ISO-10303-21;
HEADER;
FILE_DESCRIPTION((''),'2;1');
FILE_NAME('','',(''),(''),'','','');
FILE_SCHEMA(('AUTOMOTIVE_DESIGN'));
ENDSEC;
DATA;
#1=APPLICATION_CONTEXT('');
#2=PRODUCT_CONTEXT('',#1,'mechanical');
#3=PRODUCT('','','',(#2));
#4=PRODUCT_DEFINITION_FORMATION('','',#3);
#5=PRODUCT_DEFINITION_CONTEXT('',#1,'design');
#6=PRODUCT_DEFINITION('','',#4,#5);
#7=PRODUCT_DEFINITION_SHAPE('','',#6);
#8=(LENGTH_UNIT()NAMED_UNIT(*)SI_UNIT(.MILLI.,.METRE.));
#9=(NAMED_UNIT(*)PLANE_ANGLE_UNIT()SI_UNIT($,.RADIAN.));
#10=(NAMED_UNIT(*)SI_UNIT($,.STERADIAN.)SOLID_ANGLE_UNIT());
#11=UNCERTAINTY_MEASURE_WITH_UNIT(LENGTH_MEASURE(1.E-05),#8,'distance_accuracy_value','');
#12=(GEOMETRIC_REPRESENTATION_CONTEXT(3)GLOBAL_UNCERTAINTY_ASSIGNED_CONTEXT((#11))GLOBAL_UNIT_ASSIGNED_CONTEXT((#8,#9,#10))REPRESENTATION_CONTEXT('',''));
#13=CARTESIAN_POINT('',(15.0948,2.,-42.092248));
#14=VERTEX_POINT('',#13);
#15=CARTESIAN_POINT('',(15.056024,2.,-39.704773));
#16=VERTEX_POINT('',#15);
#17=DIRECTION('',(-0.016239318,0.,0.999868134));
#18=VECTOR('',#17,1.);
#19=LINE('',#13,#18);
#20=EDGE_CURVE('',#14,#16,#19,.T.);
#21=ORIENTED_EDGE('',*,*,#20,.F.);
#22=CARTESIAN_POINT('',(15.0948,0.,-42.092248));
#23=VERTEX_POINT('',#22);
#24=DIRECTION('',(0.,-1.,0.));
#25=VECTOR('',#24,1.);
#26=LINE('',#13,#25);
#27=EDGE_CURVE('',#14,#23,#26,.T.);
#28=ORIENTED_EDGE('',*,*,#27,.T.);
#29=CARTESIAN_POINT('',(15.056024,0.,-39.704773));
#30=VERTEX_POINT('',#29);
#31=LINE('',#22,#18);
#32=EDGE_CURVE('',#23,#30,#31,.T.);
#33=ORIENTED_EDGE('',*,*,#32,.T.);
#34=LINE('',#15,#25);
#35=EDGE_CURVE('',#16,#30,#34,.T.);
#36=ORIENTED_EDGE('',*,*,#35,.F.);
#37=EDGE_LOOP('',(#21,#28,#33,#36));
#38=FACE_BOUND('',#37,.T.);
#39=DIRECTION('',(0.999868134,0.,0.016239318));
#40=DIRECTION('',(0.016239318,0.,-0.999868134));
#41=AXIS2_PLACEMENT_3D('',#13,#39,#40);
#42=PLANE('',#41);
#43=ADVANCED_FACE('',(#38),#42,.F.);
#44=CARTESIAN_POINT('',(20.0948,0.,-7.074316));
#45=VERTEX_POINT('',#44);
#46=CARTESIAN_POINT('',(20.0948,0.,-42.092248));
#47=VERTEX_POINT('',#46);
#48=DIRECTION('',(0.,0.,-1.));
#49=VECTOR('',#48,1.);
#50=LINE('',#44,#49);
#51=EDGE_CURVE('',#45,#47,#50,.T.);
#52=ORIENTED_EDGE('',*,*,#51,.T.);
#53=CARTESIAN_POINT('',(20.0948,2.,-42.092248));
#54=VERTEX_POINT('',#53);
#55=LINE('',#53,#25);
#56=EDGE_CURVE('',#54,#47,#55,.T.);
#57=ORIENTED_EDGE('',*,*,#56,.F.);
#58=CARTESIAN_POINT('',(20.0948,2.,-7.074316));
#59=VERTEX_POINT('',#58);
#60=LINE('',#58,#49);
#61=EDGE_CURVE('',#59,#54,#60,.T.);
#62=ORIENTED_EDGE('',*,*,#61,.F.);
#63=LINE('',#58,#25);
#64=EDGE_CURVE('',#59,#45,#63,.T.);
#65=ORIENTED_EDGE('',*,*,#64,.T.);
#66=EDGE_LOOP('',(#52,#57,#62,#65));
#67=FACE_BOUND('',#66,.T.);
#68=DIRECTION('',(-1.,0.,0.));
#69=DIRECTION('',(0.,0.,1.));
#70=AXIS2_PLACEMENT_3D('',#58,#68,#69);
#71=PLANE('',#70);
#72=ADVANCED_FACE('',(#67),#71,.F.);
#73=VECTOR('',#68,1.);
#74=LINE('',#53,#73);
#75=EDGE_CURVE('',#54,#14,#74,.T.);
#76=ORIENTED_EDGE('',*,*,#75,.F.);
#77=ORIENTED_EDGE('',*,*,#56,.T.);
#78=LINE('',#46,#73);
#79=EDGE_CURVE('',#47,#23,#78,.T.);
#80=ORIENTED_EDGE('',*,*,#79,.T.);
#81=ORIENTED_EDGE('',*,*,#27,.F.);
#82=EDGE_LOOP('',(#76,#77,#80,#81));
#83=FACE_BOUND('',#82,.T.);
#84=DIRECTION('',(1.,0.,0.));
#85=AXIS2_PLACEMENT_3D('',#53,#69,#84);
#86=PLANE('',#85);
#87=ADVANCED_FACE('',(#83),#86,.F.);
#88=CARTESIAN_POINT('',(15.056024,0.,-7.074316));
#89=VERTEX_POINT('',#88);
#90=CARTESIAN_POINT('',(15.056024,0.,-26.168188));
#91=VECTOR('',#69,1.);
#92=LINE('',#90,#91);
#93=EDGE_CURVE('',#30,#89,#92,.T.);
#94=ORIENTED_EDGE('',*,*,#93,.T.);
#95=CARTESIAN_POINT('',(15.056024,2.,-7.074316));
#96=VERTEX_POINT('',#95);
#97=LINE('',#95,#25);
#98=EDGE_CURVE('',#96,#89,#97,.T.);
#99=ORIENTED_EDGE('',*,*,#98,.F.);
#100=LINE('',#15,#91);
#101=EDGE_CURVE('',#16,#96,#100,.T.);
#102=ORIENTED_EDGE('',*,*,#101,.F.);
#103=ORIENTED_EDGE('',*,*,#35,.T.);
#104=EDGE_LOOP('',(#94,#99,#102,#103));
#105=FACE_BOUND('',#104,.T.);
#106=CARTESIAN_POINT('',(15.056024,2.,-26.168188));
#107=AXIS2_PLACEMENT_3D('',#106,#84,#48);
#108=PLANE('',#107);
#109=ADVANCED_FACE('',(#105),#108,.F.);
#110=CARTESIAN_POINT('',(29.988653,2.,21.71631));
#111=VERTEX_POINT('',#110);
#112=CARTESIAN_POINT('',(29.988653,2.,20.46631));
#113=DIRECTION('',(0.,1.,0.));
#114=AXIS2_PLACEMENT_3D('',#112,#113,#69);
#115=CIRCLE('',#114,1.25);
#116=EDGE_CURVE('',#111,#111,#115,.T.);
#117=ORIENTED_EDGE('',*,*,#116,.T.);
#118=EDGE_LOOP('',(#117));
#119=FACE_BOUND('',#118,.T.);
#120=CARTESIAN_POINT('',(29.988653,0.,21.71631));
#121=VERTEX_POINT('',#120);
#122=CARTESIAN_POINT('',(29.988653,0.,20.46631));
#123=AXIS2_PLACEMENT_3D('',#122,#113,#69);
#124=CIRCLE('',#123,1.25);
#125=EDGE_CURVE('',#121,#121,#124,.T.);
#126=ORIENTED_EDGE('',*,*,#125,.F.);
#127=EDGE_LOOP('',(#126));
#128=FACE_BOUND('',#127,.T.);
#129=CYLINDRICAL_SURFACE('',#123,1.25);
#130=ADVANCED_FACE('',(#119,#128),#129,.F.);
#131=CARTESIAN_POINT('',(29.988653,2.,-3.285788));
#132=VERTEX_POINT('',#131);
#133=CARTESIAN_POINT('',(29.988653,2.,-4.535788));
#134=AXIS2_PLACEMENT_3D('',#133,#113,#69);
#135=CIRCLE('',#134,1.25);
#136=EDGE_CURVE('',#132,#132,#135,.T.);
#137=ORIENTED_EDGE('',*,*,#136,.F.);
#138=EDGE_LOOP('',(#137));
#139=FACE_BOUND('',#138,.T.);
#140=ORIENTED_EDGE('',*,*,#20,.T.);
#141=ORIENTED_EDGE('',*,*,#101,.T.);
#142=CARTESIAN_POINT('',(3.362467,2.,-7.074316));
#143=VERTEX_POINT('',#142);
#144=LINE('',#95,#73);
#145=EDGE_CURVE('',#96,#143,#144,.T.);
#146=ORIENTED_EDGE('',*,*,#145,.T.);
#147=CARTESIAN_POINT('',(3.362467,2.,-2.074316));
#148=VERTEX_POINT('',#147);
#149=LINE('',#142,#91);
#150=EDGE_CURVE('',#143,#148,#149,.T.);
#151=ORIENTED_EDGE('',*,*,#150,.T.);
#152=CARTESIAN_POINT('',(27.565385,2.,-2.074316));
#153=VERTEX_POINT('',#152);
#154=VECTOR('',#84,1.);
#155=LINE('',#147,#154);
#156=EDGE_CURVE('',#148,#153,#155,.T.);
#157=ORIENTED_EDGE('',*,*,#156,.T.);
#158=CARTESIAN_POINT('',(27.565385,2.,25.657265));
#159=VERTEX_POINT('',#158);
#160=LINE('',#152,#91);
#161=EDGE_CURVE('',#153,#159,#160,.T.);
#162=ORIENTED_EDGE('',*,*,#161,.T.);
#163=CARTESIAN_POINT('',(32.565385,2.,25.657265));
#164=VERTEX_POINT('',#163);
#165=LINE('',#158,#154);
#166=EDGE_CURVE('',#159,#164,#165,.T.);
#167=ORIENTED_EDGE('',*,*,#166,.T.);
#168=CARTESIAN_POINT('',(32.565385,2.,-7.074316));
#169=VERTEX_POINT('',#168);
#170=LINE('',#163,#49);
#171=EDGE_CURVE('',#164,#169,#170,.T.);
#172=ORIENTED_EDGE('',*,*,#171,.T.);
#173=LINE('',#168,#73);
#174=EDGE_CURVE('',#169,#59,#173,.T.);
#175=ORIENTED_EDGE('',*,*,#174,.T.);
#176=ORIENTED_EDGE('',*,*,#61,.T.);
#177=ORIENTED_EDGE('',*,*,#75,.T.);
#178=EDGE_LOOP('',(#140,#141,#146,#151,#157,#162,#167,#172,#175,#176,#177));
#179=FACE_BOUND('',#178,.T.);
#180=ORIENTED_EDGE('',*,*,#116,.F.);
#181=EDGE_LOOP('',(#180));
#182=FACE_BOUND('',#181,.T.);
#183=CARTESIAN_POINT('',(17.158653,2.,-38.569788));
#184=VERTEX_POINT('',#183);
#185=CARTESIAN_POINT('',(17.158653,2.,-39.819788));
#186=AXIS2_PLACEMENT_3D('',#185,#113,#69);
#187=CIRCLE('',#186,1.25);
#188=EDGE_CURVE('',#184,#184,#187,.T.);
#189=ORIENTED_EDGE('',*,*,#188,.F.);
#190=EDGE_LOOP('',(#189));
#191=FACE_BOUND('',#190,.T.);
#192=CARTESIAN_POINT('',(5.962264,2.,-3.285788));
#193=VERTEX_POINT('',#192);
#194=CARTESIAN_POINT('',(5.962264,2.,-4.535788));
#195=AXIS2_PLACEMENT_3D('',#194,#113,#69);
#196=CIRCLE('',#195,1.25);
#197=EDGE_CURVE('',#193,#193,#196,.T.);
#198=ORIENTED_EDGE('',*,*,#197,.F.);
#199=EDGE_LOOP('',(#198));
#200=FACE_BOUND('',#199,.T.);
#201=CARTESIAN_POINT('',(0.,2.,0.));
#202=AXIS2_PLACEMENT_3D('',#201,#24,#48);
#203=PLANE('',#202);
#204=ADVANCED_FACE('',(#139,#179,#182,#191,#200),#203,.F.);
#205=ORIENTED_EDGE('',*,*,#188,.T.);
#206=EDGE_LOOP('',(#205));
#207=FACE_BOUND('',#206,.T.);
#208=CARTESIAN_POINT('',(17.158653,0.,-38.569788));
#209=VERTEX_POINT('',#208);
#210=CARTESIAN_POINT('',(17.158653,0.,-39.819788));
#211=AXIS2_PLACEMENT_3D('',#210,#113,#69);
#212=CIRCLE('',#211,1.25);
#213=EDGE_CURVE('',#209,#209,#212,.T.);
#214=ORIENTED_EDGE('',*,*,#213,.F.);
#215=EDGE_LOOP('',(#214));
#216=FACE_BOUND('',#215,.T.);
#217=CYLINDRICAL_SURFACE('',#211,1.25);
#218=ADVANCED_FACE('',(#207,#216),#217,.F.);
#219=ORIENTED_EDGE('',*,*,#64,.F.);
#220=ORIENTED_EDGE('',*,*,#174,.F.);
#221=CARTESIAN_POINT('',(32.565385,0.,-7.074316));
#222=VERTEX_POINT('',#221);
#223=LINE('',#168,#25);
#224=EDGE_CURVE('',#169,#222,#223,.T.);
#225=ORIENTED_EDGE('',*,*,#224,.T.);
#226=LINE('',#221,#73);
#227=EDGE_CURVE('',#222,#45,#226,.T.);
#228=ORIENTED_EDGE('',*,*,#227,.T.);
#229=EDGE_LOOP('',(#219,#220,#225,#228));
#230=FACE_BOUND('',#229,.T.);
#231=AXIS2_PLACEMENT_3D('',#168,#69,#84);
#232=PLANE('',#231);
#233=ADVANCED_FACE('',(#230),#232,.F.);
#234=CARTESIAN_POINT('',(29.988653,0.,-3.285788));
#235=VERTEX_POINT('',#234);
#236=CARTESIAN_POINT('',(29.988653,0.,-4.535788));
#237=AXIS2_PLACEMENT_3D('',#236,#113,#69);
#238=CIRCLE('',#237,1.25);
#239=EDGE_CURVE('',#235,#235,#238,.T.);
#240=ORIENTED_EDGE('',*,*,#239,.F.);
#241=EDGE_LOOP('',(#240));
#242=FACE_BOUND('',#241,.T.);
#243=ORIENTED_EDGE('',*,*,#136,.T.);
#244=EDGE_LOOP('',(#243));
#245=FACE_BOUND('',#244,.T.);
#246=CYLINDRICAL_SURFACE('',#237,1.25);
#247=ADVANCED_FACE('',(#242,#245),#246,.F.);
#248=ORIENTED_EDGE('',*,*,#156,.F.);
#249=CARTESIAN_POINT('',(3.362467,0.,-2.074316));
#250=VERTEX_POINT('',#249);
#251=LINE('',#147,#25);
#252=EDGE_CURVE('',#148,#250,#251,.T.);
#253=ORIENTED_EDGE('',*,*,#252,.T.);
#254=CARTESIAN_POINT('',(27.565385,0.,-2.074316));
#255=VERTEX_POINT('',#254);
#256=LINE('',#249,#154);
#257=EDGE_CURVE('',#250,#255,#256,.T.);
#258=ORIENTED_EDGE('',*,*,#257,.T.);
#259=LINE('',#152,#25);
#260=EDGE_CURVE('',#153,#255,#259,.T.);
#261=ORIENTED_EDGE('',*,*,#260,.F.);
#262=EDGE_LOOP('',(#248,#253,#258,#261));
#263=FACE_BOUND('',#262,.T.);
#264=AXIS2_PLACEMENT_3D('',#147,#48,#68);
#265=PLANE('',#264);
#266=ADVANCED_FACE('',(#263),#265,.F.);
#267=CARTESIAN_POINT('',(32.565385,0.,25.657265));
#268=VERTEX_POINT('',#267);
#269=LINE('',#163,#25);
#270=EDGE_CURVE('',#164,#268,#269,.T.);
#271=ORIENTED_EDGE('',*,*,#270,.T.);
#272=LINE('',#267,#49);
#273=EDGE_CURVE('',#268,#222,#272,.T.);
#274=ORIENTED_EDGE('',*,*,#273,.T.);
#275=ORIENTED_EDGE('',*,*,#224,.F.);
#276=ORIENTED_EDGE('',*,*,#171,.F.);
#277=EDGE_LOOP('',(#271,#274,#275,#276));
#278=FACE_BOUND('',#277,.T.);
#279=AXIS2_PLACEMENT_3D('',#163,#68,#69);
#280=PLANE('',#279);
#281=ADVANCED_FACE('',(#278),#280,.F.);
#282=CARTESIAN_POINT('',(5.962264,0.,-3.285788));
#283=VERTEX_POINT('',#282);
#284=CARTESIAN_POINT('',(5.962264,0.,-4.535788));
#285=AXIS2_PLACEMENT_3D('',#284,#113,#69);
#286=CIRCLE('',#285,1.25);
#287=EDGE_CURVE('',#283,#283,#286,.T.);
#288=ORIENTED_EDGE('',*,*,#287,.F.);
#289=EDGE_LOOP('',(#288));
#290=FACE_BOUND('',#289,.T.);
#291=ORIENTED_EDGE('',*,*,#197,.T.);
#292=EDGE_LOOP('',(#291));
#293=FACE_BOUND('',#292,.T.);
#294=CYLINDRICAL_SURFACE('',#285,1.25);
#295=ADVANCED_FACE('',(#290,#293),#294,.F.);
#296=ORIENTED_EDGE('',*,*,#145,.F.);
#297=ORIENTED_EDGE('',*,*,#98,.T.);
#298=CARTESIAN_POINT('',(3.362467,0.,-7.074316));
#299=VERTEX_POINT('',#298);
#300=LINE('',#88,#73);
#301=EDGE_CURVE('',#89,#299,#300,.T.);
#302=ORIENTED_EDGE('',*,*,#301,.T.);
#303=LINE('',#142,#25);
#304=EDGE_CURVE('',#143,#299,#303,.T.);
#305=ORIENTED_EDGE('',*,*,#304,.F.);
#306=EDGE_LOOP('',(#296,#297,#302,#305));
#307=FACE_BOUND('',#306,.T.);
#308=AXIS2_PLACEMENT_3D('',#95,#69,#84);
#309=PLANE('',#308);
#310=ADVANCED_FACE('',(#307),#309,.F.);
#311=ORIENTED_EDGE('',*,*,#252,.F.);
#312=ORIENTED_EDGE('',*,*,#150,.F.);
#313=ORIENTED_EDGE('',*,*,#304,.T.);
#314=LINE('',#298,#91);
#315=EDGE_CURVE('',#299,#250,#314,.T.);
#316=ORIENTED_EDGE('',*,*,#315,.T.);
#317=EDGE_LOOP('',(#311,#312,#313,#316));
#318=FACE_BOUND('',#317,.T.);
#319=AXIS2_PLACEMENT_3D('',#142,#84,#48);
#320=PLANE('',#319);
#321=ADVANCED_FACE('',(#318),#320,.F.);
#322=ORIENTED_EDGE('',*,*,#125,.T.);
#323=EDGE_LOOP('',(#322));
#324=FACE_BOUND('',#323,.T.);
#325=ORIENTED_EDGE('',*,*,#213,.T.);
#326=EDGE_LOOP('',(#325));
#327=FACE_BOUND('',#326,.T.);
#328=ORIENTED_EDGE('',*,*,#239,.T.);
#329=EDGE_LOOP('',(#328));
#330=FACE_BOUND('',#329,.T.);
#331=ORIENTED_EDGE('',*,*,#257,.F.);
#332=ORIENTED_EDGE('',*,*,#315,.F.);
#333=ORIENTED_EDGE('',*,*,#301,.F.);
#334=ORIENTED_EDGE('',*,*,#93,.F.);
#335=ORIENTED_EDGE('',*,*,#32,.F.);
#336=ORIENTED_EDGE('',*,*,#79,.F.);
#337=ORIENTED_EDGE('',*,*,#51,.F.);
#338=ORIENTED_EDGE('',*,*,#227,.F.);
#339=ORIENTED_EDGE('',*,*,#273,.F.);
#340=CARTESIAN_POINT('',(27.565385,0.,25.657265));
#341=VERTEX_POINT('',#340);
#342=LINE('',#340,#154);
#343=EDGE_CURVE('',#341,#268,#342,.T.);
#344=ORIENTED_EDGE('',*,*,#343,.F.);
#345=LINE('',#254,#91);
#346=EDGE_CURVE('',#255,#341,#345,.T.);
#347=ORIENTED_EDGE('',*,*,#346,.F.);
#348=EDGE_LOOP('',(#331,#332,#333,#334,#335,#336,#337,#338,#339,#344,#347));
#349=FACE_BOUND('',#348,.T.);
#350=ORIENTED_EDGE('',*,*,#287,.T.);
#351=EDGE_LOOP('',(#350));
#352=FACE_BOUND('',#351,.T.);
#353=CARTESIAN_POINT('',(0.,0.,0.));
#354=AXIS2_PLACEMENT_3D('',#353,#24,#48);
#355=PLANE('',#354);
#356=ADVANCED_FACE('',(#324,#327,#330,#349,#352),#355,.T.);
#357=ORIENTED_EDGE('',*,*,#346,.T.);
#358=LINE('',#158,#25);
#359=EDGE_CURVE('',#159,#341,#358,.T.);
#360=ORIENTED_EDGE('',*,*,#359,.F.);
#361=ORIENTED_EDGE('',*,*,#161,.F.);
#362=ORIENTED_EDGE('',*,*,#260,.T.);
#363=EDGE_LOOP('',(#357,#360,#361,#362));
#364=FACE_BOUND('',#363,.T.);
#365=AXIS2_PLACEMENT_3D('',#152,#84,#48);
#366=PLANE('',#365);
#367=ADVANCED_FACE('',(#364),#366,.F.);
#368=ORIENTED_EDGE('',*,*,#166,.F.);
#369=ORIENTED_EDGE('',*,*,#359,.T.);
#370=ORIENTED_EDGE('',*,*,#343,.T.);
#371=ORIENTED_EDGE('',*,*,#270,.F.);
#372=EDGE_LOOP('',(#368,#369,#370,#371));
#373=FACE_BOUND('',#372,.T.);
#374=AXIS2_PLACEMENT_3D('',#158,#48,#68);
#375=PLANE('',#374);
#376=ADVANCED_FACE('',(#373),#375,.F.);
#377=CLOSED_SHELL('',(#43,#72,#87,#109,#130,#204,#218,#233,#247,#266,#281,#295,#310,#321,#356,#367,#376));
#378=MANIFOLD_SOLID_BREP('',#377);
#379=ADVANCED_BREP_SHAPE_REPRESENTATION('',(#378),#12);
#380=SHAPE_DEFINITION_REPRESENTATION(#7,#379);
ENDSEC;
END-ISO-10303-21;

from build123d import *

# Parameters (mm, degrees)
SALIENTE_EXTRUIR2_DEPTH = 2
CROQUIS2_R              = 1.25
CORTAR_EXTRUIR1_DEPTH   = 2


with BuildPart() as part:
    # Croquis1 → Saliente-Extruir2 (new body)
    with BuildSketch(Plane(origin=(0, 0, 0), x_dir=(1, 0, 0), z_dir=(0, 1, 0))):
        Polygon((15.056023907, 39.704773072), (15.056023907, 26.168187684), (15.056023907, 7.074316274), (3.362466557, 7.074316274), (3.362466557, 2.074316274), (27.565385425, 2.074316274), (27.565385425, -25.657265495), (32.565385425, -25.657265495), (32.565385425, 7.074316274), (20.094799992, 7.074316274), (20.094799992, 42.092248366), (15.094799992, 42.092248366), align=None)
    extrude(amount=SALIENTE_EXTRUIR2_DEPTH)

    # Croquis2 → Cortar-Extruir1 (cut)
    with BuildSketch(Plane(origin=(0, 2, 0), x_dir=(1, 0, 0), z_dir=(0, 1, 0))):
        with Locations(Location((17.158653271, 39.819787948, 0), (0, 0, 270))):
            Circle(CROQUIS2_R)
        with Locations(Location((5.962263761, 4.535787948, 0), (0, 0, 270))):
            Circle(CROQUIS2_R)
        with Locations(Location((29.988653271, 4.535787948, 0), (0, 0, 270))):
            Circle(CROQUIS2_R)
        with Locations(Location((29.988653271, -20.46630955, 0), (0, 0, 270))):
            Circle(CROQUIS2_R)
    extrude(amount=-CORTAR_EXTRUIR1_DEPTH, mode=Mode.SUBTRACT)


solid = part.part
